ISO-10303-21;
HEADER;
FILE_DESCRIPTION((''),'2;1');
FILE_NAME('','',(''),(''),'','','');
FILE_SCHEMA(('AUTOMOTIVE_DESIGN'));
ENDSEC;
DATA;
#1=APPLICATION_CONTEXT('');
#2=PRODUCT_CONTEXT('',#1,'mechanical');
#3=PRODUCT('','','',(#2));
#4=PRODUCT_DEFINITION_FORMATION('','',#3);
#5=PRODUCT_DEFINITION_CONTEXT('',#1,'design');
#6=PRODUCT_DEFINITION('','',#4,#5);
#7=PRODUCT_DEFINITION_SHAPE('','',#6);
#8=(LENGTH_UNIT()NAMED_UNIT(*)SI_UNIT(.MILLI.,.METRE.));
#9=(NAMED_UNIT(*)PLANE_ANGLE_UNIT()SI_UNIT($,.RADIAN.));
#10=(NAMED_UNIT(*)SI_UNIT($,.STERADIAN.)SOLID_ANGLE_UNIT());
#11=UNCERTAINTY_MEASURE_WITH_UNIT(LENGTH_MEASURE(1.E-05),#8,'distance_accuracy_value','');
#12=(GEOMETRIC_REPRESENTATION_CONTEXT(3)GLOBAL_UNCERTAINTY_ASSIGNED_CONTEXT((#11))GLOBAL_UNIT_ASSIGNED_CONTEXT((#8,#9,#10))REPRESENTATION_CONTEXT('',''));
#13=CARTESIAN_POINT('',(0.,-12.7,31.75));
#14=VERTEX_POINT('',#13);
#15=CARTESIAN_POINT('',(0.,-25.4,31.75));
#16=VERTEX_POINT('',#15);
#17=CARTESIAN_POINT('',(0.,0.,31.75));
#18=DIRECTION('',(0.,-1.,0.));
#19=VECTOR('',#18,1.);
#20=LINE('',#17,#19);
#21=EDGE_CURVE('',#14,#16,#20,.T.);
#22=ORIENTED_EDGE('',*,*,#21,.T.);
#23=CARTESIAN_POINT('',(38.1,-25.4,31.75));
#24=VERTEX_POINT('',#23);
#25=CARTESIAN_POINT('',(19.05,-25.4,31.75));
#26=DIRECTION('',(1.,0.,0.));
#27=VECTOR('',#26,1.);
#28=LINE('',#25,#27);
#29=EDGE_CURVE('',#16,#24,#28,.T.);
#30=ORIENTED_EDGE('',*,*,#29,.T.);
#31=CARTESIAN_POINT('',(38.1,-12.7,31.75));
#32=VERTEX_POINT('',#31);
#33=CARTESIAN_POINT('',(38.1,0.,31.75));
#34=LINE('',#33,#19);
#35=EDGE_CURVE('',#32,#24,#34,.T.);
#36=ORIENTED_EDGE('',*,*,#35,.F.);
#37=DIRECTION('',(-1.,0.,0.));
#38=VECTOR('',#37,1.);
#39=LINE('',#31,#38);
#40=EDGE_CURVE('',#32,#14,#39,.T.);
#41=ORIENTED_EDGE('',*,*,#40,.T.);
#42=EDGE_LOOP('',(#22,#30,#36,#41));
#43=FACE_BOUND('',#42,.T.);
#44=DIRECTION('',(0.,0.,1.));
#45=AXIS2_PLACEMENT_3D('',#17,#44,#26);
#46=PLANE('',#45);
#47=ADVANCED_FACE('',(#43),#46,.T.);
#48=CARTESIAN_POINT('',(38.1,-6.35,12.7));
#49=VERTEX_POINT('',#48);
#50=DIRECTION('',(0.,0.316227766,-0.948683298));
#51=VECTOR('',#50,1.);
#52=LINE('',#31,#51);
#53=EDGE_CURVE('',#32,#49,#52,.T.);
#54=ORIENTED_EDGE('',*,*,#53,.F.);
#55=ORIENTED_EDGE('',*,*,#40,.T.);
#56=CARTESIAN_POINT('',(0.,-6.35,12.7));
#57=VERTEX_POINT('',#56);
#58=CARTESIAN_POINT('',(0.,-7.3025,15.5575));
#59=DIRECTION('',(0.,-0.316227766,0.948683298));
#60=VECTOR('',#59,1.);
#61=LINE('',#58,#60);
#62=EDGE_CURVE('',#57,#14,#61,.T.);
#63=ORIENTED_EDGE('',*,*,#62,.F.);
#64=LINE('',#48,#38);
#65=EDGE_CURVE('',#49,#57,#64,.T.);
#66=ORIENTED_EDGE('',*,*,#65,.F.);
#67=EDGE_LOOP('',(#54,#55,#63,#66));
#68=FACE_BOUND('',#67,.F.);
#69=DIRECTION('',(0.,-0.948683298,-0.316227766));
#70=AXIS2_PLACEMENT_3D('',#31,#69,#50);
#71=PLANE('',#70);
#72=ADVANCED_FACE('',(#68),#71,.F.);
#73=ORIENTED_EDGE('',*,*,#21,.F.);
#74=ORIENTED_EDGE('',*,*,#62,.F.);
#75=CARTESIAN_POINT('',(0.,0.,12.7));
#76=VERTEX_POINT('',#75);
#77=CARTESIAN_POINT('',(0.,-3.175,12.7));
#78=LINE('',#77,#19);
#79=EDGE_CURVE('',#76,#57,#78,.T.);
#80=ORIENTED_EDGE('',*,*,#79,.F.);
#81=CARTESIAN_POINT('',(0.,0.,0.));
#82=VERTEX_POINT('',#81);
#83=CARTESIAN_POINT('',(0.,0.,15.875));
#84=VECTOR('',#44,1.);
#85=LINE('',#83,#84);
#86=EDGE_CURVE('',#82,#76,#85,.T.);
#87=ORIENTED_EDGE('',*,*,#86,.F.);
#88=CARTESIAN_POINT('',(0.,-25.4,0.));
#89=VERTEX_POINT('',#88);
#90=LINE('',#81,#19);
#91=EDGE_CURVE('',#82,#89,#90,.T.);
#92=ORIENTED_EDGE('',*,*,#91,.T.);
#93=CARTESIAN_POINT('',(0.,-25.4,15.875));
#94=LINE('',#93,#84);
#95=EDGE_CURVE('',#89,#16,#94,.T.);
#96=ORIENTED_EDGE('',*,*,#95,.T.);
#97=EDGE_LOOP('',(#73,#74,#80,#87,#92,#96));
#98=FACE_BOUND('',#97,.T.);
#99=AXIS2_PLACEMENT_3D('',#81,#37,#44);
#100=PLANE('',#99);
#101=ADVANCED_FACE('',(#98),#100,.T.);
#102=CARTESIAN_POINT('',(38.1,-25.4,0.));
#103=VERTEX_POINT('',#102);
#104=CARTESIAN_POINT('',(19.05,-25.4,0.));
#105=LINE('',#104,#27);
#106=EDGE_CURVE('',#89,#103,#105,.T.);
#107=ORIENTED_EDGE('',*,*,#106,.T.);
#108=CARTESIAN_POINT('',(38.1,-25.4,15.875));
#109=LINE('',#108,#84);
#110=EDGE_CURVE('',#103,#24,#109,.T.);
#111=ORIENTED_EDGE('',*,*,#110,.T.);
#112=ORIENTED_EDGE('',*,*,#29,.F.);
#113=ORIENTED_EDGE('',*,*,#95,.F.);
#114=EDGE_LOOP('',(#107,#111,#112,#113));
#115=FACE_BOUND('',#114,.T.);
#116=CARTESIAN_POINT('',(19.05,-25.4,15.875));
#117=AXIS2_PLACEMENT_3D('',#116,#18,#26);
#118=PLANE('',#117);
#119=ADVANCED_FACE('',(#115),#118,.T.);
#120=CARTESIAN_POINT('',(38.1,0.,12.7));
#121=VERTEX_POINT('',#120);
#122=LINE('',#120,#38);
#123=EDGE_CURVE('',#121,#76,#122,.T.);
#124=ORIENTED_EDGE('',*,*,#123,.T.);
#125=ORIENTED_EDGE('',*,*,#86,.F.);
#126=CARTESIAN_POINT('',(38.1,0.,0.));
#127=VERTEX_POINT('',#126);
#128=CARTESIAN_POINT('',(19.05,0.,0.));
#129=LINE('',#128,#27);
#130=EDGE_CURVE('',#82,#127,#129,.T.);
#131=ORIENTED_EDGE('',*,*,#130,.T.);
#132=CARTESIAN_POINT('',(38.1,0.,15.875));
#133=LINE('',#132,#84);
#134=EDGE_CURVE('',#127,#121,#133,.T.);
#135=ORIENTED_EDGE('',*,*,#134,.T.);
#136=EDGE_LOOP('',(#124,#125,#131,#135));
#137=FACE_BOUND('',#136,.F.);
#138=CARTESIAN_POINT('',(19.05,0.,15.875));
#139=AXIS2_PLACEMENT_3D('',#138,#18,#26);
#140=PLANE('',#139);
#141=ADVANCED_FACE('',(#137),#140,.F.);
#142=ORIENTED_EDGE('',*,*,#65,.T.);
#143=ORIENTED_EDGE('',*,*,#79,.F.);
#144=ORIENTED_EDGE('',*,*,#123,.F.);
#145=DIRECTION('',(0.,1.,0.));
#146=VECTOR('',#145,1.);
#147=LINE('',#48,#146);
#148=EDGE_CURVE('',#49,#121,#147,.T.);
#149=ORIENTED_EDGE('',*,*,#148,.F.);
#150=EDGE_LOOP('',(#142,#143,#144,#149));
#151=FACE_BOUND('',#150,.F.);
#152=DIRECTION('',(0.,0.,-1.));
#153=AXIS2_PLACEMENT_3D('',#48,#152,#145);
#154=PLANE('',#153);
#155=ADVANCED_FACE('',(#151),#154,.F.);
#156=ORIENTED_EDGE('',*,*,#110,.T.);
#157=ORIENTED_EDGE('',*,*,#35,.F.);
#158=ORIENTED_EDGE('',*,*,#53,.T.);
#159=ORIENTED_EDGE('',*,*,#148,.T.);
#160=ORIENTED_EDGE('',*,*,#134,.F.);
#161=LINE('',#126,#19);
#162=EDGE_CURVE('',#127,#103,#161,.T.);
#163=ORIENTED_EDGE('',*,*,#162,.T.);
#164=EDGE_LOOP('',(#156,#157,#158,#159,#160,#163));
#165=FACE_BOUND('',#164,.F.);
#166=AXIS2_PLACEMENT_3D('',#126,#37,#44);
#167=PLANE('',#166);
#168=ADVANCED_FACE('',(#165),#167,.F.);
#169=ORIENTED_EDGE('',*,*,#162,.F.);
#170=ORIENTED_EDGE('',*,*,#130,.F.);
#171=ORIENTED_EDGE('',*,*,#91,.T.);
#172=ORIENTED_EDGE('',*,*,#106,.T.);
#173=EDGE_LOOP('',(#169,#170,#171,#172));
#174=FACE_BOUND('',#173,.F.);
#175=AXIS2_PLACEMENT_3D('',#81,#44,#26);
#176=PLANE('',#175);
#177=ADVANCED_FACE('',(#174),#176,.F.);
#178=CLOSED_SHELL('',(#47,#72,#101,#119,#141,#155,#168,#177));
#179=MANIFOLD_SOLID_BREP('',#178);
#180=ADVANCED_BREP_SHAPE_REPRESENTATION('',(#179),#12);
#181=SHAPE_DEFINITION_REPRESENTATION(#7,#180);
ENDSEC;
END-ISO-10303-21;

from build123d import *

# Parameters (mm, degrees)
F0_W     = 38.1
F0_H     = 31.75
F1_DEPTH = 25.4
F3_DEPTH = 50.8


with BuildPart() as f1:
    # F0 (on Front) → F1 (new body)
    with BuildSketch(Plane.XZ):
        with Locations((19.05, 15.875)):
            Rectangle(F0_W, F0_H)
    extrude(amount=F1_DEPTH)

    # F2 (on face) → F3 (cut)
    with BuildSketch(Plane.YZ.offset(38.1)):
        Polygon((0, 31.75), (-12.7, 31.75), (-6.35, 12.7), (0, 12.7), align=None)
    extrude(amount=-F3_DEPTH, mode=Mode.SUBTRACT)


solid = f1.part
